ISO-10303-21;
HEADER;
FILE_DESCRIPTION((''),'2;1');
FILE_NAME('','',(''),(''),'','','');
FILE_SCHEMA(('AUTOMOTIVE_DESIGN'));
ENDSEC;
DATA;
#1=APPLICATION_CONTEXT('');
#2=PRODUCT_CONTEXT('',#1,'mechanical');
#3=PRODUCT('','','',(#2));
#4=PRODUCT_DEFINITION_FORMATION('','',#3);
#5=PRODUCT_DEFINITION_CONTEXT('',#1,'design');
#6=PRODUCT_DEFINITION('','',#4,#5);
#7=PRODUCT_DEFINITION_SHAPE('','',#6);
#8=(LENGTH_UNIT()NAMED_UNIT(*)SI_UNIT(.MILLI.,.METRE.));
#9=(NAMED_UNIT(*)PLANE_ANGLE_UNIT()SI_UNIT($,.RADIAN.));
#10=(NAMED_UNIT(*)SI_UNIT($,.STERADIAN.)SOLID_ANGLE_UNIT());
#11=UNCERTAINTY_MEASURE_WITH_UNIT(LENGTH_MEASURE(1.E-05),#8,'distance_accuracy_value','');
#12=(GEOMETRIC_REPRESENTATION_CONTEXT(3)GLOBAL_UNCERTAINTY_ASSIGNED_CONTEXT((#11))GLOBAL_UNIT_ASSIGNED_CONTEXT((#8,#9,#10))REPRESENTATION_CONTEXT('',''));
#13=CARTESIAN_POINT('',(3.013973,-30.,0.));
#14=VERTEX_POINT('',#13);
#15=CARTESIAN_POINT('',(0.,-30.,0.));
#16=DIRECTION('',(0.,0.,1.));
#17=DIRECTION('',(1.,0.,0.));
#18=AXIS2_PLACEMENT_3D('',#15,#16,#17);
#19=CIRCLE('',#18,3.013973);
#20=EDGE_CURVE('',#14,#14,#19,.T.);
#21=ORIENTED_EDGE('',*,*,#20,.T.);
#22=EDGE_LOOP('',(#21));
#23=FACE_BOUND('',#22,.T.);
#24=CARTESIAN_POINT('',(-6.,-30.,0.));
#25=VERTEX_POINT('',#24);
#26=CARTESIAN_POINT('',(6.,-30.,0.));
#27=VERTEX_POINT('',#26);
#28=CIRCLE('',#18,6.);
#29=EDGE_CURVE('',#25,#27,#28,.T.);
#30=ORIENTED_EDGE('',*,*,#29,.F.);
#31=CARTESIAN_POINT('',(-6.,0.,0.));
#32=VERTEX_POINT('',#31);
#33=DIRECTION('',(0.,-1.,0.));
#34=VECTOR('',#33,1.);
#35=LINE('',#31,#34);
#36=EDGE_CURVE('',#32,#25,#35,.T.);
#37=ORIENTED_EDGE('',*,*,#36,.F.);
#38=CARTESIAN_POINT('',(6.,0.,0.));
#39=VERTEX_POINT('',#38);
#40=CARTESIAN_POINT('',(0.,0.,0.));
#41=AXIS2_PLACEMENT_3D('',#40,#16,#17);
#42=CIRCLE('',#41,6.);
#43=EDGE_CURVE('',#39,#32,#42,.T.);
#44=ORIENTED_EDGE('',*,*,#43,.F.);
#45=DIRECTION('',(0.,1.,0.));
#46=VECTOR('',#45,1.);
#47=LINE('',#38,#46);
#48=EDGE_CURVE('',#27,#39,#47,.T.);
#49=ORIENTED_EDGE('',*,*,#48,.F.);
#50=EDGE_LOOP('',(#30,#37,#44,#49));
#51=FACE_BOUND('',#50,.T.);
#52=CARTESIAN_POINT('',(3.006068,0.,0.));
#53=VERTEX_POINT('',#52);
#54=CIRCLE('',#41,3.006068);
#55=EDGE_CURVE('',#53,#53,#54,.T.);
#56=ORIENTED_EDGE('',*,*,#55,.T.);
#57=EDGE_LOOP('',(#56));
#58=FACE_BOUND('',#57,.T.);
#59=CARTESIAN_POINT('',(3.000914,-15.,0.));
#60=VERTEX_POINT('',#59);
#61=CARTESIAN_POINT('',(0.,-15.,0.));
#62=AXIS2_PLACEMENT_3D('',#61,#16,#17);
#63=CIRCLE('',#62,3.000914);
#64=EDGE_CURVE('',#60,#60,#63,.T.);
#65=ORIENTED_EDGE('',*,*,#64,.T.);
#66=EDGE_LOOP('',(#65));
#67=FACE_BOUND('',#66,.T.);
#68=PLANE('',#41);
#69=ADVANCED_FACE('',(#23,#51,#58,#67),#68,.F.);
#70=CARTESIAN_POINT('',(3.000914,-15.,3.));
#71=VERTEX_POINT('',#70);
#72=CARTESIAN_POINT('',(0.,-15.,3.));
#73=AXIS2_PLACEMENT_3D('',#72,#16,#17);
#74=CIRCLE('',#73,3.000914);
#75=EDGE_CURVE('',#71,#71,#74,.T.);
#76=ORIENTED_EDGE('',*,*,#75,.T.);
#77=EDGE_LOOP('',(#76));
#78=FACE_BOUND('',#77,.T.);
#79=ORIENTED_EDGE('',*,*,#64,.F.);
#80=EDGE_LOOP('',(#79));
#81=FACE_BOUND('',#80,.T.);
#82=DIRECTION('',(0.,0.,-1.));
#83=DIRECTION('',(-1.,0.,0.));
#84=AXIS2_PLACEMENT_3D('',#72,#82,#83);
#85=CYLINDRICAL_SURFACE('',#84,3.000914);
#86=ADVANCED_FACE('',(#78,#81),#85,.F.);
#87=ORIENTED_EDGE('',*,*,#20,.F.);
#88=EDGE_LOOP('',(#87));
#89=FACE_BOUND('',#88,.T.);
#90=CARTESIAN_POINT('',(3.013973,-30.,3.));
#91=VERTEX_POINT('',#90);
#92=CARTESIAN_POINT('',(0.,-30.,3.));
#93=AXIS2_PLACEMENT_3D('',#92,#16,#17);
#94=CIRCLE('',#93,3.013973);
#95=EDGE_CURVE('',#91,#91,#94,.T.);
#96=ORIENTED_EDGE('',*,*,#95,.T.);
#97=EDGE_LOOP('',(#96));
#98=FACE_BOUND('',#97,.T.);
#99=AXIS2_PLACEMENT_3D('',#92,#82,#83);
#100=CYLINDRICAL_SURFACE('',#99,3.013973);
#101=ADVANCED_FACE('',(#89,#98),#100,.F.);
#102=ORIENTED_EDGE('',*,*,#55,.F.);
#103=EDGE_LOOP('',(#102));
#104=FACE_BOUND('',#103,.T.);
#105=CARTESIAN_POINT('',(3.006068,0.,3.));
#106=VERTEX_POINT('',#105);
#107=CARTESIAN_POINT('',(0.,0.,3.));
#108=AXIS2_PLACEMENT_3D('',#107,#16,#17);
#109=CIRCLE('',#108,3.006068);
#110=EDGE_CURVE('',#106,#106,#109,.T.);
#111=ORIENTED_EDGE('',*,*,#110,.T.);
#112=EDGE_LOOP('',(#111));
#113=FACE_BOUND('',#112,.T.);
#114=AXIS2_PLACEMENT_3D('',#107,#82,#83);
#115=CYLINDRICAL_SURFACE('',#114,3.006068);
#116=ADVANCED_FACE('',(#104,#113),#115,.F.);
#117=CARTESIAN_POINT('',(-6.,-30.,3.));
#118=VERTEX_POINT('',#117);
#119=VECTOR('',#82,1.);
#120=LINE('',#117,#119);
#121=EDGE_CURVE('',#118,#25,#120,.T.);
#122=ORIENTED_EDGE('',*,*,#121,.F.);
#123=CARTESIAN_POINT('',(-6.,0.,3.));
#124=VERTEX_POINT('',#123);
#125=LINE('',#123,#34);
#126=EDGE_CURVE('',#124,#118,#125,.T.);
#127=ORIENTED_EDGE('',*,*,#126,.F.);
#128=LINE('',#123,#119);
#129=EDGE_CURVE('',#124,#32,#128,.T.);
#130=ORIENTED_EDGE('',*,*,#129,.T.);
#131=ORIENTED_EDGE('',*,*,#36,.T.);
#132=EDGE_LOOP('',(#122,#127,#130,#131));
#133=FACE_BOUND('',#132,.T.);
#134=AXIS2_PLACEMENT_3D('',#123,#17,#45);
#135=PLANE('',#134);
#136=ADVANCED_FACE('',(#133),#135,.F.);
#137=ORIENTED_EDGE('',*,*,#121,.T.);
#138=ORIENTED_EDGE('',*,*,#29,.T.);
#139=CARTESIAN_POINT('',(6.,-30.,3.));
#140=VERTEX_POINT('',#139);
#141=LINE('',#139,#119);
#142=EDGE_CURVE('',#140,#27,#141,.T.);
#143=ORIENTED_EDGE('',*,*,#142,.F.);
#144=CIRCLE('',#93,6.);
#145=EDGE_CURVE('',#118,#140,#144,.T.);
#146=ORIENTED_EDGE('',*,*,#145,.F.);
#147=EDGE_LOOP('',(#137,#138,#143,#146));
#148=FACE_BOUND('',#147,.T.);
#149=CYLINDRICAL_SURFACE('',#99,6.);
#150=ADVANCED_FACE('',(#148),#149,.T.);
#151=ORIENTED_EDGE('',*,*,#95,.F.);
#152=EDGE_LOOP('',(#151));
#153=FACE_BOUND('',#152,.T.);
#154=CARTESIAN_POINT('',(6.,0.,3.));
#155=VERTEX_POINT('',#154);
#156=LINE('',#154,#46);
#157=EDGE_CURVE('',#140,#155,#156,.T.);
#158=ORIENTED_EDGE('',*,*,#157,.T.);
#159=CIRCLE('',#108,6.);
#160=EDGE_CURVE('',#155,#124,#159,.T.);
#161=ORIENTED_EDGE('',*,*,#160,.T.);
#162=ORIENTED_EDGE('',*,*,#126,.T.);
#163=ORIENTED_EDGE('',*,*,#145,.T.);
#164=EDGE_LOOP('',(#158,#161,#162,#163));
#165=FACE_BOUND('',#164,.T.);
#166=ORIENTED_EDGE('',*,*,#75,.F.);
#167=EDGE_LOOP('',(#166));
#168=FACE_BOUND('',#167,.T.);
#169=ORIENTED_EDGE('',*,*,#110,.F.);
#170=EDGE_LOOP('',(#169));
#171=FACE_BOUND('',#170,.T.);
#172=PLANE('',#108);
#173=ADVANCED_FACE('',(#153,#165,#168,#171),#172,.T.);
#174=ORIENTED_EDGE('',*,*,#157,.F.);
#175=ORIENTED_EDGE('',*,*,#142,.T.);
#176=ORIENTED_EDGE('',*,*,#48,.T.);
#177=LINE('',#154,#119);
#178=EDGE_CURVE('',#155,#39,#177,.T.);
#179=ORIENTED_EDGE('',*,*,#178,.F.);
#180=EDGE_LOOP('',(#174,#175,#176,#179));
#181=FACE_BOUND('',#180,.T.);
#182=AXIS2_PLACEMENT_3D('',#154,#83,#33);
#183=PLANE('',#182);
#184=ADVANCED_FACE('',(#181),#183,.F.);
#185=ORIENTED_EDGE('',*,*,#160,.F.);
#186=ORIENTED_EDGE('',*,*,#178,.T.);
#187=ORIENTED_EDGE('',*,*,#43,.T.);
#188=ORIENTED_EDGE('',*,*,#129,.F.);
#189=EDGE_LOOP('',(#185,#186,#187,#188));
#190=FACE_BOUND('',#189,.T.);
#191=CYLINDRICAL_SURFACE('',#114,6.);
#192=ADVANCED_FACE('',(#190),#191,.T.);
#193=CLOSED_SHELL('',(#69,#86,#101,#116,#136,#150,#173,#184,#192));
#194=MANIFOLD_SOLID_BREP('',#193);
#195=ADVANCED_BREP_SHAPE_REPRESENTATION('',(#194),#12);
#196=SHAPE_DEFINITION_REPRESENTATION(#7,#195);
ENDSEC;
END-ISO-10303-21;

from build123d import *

# Parameters (mm, degrees)
SKETCH_1_R      = 3.006068137
SKETCH_1_R_2    = 3.013972845
SKETCH_1_R_3    = 3.000913937
EXTRUDE_2_DEPTH = 3


with BuildPart() as part:
    # 草图1 → 凸台-拉伸2 (new body)
    with BuildSketch(Plane.XY):
        with BuildLine():
            Line((6, 0), (6, -30))
            ThreePointArc((6, -30), (0, -36), (-6, -30))
            Line((-6, -30), (-6, 0))
            ThreePointArc((-6, 0), (0, 6), (6, 0))
        make_face()
        Circle(SKETCH_1_R, mode=Mode.SUBTRACT)
        with Locations((0, -30)):
            Circle(SKETCH_1_R_2, mode=Mode.SUBTRACT)
        with Locations((0, -15)):
            Circle(SKETCH_1_R_3, mode=Mode.SUBTRACT)
    extrude(amount=EXTRUDE_2_DEPTH)


solid = part.part
